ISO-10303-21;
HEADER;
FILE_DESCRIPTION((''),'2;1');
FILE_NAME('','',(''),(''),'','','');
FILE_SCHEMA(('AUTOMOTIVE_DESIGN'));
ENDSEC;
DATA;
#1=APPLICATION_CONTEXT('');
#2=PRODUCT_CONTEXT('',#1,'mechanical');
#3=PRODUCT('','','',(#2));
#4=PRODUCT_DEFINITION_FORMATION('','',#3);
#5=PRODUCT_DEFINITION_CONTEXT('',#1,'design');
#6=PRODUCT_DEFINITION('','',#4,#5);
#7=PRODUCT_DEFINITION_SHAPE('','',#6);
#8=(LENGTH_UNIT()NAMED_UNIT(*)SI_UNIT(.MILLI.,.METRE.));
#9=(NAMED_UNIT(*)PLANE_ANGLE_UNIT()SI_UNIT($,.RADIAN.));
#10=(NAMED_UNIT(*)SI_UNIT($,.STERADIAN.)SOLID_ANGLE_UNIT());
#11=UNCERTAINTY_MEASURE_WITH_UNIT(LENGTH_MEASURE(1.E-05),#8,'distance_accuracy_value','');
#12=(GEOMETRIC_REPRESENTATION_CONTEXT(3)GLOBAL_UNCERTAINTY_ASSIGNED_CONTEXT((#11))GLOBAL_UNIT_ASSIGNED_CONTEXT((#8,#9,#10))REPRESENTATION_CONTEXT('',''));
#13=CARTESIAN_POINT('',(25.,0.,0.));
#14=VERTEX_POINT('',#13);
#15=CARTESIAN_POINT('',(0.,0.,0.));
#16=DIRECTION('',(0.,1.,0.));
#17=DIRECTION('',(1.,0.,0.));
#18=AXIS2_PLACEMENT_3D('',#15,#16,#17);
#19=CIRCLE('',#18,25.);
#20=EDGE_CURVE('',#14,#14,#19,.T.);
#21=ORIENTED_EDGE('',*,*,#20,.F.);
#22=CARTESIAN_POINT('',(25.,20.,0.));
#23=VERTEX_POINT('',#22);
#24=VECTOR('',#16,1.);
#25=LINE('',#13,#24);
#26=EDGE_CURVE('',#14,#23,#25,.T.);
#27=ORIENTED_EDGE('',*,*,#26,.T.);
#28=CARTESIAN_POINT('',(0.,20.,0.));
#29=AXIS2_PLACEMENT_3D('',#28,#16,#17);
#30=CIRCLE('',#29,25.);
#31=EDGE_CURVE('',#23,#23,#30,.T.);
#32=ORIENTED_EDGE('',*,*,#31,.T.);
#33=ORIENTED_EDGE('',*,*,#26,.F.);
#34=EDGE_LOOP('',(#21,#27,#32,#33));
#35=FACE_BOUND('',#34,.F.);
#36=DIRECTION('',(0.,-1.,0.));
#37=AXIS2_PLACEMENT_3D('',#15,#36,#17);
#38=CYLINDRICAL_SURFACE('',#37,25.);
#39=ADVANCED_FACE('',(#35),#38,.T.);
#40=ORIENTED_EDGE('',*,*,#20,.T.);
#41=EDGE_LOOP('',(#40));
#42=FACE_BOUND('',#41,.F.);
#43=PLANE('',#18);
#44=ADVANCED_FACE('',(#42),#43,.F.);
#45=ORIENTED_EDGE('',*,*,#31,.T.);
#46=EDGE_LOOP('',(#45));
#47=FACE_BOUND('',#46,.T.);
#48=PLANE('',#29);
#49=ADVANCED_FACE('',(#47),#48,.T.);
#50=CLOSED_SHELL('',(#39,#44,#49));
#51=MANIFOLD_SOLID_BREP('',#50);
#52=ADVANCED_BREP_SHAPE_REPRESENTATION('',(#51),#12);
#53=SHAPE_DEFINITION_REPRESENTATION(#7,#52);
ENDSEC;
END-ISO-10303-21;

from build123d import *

# Parameters (mm, degrees)
SKETCH1_R           = 25
BOSS_EXTRUDE1_DEPTH = 20


with BuildPart() as part:
    # Sketch1 → Boss-Extrude1 (new body)
    with BuildSketch(Plane(origin=(0, 0, 0), x_dir=(1, 0, 0), z_dir=(0, 1, 0))):
        Circle(SKETCH1_R)
    extrude(amount=BOSS_EXTRUDE1_DEPTH)


solid = part.part
